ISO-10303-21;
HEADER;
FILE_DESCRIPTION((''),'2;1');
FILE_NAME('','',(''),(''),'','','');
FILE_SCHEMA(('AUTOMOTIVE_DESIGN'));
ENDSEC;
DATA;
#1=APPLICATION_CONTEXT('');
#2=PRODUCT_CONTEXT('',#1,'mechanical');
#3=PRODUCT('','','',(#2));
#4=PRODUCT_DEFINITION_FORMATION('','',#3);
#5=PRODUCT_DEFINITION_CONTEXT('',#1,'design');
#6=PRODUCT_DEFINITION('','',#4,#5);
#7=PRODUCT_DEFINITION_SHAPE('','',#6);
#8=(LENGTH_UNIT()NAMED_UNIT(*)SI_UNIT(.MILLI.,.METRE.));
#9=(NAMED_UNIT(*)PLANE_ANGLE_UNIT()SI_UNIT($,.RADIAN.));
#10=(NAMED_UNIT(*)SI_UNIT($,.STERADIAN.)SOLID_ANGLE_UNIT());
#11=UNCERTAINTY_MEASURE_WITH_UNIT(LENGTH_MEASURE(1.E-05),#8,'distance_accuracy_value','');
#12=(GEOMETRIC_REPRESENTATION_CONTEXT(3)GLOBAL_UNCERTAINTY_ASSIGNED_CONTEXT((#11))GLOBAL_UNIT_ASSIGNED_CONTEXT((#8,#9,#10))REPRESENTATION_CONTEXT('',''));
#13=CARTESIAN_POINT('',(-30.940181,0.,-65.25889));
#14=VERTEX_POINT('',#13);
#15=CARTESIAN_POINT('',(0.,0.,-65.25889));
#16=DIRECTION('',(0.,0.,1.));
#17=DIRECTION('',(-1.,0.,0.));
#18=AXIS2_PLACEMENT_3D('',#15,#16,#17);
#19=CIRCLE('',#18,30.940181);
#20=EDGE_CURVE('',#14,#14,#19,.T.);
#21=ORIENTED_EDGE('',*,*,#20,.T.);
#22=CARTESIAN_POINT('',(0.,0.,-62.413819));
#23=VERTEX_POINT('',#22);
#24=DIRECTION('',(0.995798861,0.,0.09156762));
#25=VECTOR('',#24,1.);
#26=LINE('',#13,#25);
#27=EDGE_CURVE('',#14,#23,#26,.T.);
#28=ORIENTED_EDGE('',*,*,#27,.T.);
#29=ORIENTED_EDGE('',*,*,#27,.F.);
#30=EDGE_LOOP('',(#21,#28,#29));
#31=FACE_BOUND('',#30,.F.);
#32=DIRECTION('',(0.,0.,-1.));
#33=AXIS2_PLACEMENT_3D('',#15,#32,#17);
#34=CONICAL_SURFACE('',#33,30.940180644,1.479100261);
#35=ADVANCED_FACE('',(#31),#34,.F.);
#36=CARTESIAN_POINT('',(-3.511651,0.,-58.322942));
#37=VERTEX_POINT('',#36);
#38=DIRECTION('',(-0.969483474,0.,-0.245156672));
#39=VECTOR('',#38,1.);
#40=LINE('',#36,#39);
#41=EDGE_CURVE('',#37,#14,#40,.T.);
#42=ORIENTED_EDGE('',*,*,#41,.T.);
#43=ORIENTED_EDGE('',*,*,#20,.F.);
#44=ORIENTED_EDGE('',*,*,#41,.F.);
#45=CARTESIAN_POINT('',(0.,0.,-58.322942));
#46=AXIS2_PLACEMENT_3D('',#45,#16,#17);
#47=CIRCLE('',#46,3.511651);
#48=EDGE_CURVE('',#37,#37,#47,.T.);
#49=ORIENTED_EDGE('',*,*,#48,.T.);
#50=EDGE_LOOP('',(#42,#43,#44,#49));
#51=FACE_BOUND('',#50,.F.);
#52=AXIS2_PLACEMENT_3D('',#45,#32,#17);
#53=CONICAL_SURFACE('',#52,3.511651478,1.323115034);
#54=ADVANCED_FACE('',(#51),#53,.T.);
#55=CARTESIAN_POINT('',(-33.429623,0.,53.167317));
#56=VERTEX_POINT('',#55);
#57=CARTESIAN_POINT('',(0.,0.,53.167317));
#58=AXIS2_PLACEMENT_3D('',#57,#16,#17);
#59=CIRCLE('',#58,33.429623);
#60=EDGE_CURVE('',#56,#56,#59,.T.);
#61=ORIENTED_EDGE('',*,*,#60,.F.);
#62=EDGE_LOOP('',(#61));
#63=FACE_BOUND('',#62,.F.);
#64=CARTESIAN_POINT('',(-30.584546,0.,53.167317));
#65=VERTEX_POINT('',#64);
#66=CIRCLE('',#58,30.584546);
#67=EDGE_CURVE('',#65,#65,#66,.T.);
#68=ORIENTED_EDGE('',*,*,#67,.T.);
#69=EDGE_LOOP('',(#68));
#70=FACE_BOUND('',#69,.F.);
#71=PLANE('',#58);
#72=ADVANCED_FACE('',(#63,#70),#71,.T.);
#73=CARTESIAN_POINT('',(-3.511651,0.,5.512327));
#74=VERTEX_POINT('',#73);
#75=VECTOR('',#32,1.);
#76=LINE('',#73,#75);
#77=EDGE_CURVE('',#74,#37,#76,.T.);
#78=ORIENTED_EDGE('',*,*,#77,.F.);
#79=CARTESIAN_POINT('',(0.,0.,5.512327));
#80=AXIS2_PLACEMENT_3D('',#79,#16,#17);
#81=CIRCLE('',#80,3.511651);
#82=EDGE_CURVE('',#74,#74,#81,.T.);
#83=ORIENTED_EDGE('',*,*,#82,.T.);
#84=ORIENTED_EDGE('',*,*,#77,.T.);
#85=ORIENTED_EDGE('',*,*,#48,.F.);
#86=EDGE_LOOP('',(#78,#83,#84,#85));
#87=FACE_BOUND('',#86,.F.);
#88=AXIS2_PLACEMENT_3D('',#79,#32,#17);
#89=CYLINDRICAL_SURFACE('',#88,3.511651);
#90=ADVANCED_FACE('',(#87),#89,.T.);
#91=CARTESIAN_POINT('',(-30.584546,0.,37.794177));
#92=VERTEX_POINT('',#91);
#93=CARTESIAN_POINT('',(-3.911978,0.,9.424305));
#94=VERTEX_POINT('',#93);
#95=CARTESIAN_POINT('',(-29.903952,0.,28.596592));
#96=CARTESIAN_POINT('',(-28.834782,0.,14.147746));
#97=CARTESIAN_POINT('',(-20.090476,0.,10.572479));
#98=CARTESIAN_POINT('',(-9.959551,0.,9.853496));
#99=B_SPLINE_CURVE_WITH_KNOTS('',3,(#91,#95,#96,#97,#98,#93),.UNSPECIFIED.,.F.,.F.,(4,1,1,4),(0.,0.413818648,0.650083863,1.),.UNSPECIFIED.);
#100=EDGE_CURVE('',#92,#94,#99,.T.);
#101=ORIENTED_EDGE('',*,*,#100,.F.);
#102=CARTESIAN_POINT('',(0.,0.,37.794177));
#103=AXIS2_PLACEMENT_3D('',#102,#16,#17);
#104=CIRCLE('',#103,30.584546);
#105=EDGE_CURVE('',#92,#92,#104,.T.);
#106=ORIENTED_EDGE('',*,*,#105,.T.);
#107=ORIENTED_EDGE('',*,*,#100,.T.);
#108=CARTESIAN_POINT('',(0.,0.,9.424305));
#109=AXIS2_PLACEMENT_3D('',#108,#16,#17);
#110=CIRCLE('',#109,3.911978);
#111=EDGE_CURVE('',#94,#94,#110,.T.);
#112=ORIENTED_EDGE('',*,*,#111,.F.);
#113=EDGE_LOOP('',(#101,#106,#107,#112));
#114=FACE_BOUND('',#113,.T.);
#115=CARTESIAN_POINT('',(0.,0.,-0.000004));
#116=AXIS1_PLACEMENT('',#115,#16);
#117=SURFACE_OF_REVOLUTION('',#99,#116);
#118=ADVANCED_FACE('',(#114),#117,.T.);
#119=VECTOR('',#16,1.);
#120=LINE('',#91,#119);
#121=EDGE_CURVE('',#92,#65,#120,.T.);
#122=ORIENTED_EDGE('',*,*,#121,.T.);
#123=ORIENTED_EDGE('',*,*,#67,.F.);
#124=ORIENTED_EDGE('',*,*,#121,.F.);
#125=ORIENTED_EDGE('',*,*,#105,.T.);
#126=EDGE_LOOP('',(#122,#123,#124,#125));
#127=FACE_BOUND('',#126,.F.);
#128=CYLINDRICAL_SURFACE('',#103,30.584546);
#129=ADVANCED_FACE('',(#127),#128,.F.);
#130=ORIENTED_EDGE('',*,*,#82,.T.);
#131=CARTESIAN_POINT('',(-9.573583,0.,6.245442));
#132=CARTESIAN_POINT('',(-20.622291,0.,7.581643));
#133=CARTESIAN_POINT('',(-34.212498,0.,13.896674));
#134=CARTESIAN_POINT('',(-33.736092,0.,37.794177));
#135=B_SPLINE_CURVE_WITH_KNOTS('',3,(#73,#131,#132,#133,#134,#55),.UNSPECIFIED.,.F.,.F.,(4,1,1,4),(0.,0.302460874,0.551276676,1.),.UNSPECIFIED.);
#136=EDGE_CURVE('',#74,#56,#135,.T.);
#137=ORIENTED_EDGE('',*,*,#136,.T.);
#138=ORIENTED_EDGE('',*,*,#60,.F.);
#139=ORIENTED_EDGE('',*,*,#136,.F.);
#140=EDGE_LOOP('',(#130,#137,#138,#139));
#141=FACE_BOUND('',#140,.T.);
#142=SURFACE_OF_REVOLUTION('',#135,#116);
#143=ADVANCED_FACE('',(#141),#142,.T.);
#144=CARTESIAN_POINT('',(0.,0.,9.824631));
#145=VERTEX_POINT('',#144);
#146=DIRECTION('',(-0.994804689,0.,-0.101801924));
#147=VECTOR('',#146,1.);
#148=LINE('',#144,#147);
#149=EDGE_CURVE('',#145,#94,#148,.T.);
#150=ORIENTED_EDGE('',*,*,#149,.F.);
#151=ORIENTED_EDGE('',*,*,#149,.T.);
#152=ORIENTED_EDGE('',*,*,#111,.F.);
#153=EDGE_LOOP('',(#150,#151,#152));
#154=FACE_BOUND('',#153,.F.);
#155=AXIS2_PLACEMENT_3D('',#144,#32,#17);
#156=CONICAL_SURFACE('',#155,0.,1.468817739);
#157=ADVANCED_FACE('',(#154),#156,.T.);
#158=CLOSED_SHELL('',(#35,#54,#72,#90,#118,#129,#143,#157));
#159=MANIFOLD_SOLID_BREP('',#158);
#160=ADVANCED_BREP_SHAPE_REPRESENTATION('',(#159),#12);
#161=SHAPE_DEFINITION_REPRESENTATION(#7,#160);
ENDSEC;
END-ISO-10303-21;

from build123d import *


with BuildPart() as f1:
    # F0 (on Front) → F1 (revolve)
    with BuildSketch(Plane.XZ):
        Polygon((-3.5116514776, -58.3229424221), (0, -57.434938848), (0, 9.8246313068), (-3.9119780995, 9.4243045896), (-3.5116514776, 5.5123274215), align=None)
    revolve(axis=Axis((0, 0, -3.7253e-06), (0, 0, 1)))

    # F0 (on Front) → F2 (revolve)
    with BuildSketch(Plane.XZ):
        with BuildLine():
            add(Edge.make_bspline(
                [(-3.5116514776, 5.5123274215), (-9.5735833902, 6.2454415966), (-20.6222907222, 7.5816433353), (-34.2124984937, 13.8966744398), (-33.7360922993, 37.7941769093), (-33.4296226501, 53.1673170626)],
                knots=[0, 0, 0, 0, 0.3024608737, 0.5512766757, 1, 1, 1, 1], degree=3))
            Line((-3.5116514776, 5.5123274215), (-3.9119780995, 9.4243045896))
            add(Edge.make_bspline(
                [(-30.5845458061, 37.7941769093), (-29.9039523902, 28.5965916456), (-28.8347816345, 14.1477460392), (-20.0904764667, 10.5724788206), (-9.9595508368, 9.853495669), (-3.9119780995, 9.4243045896)],
                knots=[0, 0, 0, 0, 0.4138186482, 0.6500838628, 1, 1, 1, 1], degree=3))
            Line((-30.5845458061, 37.7941769093), (-30.5845458061, 53.1673170626))
            Line((-30.5845458061, 53.1673170626), (-33.4296226501, 53.1673170626))
        make_face()
    revolve(axis=Axis((0, 0, -3.7253e-06), (0, 0, 1)))

    # F0 (on Front) → F3 (revolve)
    with BuildSketch(Plane.XZ):
        Polygon((-30.9401806444, -65.2588903904), (0, -62.4138191342), (0, -57.434938848), (-3.5116514776, -58.3229424221), align=None)
    revolve(axis=Axis((0, 0, -3.7253e-06), (0, 0, 1)))


solid = f1.part
